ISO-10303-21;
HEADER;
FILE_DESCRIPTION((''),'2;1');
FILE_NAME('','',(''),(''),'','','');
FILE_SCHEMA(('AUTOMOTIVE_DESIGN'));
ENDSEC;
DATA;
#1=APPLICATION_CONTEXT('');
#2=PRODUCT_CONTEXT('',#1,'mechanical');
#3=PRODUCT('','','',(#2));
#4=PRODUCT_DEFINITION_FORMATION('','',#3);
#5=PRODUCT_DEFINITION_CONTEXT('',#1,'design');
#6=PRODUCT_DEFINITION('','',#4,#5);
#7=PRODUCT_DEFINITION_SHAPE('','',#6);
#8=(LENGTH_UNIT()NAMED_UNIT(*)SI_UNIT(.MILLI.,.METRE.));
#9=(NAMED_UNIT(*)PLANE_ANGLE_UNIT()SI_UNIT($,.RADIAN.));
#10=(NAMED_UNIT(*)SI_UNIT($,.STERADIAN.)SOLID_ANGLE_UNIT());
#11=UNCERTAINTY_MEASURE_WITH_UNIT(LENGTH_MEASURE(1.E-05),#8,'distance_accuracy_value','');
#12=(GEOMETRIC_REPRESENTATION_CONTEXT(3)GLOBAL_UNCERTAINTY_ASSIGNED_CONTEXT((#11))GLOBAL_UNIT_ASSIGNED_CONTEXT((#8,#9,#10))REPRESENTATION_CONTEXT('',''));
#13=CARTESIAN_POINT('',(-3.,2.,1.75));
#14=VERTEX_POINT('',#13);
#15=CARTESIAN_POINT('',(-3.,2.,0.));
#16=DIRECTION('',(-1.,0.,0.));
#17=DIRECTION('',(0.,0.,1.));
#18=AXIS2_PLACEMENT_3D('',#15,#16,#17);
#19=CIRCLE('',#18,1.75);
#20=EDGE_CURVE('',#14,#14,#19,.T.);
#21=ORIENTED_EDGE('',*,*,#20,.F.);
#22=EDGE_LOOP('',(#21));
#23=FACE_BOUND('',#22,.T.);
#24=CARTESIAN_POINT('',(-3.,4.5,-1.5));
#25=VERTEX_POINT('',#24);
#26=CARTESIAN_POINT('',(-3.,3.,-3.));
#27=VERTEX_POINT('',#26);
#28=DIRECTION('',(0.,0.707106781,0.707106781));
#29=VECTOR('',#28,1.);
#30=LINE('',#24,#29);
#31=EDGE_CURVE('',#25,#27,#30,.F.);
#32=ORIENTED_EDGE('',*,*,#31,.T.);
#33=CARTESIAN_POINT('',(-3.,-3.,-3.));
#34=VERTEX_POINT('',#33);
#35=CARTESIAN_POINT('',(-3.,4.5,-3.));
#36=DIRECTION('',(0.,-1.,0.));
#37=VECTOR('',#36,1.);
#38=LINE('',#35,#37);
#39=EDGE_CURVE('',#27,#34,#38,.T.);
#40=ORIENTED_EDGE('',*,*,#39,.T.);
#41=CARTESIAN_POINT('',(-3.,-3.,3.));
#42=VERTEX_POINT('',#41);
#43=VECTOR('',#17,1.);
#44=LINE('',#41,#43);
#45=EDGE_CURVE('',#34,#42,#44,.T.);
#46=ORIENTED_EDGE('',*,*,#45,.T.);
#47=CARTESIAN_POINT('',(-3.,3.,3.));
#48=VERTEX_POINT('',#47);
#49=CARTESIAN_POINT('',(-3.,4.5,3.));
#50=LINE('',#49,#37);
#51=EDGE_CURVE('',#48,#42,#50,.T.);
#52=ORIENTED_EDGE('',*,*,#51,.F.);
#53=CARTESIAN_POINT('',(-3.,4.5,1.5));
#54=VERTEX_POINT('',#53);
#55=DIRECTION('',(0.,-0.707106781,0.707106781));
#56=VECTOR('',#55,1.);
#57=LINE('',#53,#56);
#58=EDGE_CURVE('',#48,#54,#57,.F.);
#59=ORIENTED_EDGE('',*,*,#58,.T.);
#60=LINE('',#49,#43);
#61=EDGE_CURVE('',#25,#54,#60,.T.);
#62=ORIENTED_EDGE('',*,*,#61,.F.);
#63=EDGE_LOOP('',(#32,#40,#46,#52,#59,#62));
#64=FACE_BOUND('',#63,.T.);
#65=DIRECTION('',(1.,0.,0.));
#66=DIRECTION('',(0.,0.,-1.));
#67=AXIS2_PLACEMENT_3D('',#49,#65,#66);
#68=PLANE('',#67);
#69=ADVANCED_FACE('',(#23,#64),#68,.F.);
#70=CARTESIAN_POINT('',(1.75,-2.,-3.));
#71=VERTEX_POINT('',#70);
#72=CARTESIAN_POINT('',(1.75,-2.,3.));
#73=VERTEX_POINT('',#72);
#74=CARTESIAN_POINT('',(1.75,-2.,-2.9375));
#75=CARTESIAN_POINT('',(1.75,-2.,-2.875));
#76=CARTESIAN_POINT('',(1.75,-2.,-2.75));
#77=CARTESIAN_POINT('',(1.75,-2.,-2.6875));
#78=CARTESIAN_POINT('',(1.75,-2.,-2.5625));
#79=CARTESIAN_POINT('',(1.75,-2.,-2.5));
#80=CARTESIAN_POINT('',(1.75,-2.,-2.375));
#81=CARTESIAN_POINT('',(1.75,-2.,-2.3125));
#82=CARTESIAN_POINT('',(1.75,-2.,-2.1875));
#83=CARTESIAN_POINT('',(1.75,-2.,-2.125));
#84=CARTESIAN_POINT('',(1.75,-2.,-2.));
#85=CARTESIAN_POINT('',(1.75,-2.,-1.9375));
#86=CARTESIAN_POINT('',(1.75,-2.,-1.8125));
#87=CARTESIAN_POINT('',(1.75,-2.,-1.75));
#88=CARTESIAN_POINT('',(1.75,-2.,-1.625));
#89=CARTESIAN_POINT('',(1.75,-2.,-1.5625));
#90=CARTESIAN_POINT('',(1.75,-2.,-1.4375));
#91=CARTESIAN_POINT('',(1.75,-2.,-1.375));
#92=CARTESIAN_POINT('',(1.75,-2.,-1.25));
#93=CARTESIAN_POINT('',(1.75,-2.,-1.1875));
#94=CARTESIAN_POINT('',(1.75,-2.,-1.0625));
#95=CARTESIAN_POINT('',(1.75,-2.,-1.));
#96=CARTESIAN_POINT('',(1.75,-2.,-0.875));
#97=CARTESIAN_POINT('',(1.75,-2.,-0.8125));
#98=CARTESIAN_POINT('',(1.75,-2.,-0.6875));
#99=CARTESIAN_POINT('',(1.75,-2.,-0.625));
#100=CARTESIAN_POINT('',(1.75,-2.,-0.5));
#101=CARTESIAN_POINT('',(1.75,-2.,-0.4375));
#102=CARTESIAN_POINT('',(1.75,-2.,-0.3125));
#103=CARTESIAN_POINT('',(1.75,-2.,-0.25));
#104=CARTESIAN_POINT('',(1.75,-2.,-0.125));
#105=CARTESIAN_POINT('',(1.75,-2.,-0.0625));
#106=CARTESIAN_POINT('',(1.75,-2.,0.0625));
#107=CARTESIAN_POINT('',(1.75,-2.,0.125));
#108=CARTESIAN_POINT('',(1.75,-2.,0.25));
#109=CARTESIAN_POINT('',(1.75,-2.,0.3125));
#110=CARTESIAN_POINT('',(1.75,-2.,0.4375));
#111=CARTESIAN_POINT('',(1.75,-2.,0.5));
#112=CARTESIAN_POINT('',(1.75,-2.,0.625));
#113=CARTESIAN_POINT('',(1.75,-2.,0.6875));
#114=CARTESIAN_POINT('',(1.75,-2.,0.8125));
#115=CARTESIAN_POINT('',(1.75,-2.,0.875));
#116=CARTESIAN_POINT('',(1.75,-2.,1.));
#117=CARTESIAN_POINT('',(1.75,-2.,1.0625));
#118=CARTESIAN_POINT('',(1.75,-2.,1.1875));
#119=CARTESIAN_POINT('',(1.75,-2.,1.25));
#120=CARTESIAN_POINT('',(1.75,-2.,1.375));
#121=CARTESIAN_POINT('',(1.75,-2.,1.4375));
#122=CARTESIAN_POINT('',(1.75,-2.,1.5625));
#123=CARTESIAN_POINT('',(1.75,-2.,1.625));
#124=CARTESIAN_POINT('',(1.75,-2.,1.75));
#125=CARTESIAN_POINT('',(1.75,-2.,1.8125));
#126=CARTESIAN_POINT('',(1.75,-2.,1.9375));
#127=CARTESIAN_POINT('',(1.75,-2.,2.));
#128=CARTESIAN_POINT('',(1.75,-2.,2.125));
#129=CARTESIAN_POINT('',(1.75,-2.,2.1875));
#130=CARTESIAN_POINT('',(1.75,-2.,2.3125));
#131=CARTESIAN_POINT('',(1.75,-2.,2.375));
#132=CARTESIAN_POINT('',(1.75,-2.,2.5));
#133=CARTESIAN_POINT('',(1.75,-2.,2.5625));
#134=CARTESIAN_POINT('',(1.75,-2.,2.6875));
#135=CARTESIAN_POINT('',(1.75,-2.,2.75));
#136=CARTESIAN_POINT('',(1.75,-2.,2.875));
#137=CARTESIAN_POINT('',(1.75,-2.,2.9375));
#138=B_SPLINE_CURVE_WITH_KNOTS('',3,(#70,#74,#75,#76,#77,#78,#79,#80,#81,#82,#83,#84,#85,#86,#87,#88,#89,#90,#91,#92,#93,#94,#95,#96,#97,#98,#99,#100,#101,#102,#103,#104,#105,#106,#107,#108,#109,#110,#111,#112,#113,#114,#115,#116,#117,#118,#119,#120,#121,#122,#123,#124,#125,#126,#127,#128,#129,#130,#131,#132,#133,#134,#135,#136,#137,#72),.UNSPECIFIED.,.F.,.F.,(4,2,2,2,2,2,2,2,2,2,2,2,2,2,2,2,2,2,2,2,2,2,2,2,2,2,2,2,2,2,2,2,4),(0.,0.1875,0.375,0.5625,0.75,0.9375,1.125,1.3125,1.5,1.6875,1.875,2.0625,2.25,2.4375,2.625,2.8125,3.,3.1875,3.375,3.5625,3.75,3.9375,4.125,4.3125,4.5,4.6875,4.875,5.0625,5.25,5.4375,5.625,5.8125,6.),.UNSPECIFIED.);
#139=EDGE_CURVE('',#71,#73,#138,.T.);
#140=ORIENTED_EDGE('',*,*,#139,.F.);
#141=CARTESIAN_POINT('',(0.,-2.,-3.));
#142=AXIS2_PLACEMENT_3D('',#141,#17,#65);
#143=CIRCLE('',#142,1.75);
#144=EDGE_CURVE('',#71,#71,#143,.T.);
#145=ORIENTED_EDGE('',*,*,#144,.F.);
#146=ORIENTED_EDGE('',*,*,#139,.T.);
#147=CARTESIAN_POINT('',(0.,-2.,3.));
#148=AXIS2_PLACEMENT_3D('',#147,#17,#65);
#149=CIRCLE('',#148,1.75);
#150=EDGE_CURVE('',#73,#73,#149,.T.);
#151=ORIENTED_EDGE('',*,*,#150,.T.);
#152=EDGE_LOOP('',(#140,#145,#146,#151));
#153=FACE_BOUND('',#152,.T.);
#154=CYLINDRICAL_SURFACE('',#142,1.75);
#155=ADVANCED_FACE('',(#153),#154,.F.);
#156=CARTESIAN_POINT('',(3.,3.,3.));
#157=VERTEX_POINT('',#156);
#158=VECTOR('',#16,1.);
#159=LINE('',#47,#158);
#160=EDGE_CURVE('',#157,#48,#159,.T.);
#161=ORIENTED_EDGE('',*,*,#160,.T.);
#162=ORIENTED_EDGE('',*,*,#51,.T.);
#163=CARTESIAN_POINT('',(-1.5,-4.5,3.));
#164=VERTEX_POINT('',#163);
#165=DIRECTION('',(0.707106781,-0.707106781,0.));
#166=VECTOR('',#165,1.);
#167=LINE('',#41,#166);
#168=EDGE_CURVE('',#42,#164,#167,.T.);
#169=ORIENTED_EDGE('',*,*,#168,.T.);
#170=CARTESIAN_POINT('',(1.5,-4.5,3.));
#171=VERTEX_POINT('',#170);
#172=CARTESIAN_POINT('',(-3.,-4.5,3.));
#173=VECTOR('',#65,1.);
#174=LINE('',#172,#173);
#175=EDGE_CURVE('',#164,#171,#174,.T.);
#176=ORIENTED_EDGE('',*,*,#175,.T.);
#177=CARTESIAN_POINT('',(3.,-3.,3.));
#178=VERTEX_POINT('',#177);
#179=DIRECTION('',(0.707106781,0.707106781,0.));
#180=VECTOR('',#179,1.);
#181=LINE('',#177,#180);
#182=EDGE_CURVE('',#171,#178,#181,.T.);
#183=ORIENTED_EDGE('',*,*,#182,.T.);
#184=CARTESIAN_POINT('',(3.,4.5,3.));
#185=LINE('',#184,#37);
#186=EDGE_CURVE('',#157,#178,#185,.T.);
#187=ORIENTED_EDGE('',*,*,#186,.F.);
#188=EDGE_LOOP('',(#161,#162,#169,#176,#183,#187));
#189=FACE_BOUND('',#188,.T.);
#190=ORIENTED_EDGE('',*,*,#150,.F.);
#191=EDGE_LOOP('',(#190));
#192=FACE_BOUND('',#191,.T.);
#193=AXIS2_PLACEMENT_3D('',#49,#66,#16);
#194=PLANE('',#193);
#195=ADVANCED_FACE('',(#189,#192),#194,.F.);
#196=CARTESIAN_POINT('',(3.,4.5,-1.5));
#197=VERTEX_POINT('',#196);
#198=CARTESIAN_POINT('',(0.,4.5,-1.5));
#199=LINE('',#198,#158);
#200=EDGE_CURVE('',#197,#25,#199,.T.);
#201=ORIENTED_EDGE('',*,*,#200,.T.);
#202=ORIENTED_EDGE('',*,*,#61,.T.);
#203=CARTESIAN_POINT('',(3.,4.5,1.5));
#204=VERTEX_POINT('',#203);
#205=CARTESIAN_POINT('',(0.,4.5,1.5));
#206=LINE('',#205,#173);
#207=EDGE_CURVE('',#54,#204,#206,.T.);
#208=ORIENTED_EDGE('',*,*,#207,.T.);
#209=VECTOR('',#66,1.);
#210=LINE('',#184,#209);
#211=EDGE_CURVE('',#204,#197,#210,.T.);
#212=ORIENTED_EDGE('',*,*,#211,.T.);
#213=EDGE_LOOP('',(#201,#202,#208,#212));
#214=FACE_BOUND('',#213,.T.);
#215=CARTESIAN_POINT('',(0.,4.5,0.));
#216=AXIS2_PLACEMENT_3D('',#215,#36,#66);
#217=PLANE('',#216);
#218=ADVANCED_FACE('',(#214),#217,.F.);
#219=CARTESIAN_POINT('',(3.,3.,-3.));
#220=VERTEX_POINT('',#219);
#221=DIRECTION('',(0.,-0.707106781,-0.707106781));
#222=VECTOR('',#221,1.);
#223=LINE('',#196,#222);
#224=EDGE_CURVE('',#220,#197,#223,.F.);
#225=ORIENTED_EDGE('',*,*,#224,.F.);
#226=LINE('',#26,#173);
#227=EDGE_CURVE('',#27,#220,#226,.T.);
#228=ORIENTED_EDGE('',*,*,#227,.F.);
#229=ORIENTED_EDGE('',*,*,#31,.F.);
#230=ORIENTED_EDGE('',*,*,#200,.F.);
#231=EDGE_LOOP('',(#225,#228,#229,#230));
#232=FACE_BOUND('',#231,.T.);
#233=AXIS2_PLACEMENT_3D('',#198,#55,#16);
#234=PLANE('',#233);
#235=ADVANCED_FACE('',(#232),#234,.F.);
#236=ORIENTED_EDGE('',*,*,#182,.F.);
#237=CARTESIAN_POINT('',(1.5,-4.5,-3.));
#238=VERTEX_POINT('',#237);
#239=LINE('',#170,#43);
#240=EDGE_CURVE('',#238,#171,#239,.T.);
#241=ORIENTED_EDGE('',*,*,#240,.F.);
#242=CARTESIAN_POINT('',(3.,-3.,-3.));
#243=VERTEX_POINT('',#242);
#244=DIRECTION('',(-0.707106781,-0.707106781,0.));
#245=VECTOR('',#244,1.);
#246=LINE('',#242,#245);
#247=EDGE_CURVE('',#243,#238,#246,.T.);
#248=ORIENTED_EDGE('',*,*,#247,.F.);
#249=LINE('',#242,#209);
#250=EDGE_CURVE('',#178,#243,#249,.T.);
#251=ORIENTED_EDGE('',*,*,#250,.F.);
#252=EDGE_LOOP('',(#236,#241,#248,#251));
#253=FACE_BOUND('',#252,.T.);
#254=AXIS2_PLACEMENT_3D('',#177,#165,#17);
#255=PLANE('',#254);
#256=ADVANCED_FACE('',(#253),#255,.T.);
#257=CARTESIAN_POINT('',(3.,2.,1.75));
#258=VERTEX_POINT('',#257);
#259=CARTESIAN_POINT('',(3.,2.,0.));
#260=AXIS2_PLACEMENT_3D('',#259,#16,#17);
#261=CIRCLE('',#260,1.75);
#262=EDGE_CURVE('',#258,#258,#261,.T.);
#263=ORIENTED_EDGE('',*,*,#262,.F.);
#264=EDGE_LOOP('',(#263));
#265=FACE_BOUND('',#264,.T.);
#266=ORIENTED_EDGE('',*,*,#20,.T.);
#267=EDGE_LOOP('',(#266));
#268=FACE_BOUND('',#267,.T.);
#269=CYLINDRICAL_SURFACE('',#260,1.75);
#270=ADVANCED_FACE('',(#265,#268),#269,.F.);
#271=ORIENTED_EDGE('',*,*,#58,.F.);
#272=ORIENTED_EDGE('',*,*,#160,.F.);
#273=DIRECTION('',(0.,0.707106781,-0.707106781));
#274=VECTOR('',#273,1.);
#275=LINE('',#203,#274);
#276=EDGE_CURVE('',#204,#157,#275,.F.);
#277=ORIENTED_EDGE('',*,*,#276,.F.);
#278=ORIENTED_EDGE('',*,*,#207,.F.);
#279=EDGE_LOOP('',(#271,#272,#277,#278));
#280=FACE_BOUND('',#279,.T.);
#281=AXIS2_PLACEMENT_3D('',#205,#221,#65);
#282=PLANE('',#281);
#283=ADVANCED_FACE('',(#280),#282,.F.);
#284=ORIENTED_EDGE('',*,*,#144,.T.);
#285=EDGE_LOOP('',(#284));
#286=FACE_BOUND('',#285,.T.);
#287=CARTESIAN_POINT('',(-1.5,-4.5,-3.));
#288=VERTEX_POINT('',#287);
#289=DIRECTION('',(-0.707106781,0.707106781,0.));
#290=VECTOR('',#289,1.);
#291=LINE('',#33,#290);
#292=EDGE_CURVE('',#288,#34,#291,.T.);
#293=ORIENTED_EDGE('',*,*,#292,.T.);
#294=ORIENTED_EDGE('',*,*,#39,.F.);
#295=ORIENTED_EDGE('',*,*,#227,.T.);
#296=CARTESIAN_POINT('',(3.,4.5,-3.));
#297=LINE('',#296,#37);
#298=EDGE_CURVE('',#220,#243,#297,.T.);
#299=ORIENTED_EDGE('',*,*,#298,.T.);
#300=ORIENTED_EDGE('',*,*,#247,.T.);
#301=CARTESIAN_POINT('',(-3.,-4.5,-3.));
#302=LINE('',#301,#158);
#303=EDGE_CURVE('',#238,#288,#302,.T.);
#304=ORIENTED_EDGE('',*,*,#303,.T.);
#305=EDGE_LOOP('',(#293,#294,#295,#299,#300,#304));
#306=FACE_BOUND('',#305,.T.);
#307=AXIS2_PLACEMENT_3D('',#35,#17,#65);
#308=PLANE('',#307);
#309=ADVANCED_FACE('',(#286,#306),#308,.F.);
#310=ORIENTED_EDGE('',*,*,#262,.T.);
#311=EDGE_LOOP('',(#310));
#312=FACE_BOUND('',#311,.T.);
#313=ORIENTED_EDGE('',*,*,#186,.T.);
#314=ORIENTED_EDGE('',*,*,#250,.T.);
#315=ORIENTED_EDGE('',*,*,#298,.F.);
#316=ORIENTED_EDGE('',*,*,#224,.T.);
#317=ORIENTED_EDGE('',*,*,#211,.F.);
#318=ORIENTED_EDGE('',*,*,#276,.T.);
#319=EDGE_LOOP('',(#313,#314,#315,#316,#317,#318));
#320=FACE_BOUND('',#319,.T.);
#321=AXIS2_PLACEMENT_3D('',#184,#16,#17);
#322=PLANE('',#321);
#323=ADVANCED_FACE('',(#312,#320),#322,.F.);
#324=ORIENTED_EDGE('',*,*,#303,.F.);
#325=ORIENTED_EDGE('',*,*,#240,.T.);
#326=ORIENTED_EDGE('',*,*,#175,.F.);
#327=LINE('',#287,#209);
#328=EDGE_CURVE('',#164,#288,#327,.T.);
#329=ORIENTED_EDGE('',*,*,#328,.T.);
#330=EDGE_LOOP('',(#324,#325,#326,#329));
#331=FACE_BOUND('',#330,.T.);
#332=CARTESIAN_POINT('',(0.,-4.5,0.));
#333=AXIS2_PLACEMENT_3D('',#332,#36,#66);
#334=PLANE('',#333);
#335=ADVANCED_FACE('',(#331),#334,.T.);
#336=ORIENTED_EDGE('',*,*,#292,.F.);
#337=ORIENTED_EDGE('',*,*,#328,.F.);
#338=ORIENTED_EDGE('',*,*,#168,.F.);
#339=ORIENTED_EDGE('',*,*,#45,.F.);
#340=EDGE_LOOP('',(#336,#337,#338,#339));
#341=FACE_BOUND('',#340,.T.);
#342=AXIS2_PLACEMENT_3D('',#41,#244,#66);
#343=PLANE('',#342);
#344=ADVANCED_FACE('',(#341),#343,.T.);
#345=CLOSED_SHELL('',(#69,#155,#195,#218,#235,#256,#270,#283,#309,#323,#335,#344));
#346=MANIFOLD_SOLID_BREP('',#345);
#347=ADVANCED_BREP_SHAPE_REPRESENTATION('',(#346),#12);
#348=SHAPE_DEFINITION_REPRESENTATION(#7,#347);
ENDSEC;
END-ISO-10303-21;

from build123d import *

# Parameters (mm, degrees)
SKETCH1_W               = 6
SKETCH1_H               = 6
BOSS_EXTRUDE1_DEPTH     = 4.5
CUT_EXTRUDE1_DEPTH      = 7.184658438
CUT_EXTRUDE1_DEPTH_BACK = 7.184658438
SKETCH2_R               = 1.75
SKETCH3_R               = 1.75
CUT_EXTRUDE2_DEPTH      = 9.077747211
CHAMFER1_SIZE           = 1.5


with BuildPart() as part:
    # Sketch1 → Boss-Extrude1 (new, symmetric)
    with BuildSketch(Plane(origin=(0, 0, 0), x_dir=(1, 0, 0), z_dir=(0, 1, 0))):
        Rectangle(SKETCH1_W, SKETCH1_H)
    extrude(amount=BOSS_EXTRUDE1_DEPTH, both=True)

    # Sketch2 → Cut-Extrude1 (cut, two sides: drawn at the far end of the back side and taken through both)
    with BuildSketch(Plane.XY.offset(-CUT_EXTRUDE1_DEPTH_BACK)):
        with Locations((0, -2)):
            Circle(SKETCH2_R)
    extrude(amount=CUT_EXTRUDE1_DEPTH + CUT_EXTRUDE1_DEPTH_BACK, mode=Mode.SUBTRACT)

    # Sketch3 → Cut-Extrude2 (cut, through all)
    with BuildSketch(Plane.ZY.offset(3)):
        with Locations((0, 2)):
            Circle(SKETCH3_R)
    extrude(amount=-CUT_EXTRUDE2_DEPTH, mode=Mode.SUBTRACT)

    # Chamfer1
    chamfer1_edges = [part.edges().sort_by_distance(p)[0] for p in [
        (0, 4.5, 3),
        (-3, -4.5, 0),
        (3, -4.5, 0),
        (0, 4.5, -3),
    ]]
    chamfer(chamfer1_edges, length=CHAMFER1_SIZE)


solid = part.part
